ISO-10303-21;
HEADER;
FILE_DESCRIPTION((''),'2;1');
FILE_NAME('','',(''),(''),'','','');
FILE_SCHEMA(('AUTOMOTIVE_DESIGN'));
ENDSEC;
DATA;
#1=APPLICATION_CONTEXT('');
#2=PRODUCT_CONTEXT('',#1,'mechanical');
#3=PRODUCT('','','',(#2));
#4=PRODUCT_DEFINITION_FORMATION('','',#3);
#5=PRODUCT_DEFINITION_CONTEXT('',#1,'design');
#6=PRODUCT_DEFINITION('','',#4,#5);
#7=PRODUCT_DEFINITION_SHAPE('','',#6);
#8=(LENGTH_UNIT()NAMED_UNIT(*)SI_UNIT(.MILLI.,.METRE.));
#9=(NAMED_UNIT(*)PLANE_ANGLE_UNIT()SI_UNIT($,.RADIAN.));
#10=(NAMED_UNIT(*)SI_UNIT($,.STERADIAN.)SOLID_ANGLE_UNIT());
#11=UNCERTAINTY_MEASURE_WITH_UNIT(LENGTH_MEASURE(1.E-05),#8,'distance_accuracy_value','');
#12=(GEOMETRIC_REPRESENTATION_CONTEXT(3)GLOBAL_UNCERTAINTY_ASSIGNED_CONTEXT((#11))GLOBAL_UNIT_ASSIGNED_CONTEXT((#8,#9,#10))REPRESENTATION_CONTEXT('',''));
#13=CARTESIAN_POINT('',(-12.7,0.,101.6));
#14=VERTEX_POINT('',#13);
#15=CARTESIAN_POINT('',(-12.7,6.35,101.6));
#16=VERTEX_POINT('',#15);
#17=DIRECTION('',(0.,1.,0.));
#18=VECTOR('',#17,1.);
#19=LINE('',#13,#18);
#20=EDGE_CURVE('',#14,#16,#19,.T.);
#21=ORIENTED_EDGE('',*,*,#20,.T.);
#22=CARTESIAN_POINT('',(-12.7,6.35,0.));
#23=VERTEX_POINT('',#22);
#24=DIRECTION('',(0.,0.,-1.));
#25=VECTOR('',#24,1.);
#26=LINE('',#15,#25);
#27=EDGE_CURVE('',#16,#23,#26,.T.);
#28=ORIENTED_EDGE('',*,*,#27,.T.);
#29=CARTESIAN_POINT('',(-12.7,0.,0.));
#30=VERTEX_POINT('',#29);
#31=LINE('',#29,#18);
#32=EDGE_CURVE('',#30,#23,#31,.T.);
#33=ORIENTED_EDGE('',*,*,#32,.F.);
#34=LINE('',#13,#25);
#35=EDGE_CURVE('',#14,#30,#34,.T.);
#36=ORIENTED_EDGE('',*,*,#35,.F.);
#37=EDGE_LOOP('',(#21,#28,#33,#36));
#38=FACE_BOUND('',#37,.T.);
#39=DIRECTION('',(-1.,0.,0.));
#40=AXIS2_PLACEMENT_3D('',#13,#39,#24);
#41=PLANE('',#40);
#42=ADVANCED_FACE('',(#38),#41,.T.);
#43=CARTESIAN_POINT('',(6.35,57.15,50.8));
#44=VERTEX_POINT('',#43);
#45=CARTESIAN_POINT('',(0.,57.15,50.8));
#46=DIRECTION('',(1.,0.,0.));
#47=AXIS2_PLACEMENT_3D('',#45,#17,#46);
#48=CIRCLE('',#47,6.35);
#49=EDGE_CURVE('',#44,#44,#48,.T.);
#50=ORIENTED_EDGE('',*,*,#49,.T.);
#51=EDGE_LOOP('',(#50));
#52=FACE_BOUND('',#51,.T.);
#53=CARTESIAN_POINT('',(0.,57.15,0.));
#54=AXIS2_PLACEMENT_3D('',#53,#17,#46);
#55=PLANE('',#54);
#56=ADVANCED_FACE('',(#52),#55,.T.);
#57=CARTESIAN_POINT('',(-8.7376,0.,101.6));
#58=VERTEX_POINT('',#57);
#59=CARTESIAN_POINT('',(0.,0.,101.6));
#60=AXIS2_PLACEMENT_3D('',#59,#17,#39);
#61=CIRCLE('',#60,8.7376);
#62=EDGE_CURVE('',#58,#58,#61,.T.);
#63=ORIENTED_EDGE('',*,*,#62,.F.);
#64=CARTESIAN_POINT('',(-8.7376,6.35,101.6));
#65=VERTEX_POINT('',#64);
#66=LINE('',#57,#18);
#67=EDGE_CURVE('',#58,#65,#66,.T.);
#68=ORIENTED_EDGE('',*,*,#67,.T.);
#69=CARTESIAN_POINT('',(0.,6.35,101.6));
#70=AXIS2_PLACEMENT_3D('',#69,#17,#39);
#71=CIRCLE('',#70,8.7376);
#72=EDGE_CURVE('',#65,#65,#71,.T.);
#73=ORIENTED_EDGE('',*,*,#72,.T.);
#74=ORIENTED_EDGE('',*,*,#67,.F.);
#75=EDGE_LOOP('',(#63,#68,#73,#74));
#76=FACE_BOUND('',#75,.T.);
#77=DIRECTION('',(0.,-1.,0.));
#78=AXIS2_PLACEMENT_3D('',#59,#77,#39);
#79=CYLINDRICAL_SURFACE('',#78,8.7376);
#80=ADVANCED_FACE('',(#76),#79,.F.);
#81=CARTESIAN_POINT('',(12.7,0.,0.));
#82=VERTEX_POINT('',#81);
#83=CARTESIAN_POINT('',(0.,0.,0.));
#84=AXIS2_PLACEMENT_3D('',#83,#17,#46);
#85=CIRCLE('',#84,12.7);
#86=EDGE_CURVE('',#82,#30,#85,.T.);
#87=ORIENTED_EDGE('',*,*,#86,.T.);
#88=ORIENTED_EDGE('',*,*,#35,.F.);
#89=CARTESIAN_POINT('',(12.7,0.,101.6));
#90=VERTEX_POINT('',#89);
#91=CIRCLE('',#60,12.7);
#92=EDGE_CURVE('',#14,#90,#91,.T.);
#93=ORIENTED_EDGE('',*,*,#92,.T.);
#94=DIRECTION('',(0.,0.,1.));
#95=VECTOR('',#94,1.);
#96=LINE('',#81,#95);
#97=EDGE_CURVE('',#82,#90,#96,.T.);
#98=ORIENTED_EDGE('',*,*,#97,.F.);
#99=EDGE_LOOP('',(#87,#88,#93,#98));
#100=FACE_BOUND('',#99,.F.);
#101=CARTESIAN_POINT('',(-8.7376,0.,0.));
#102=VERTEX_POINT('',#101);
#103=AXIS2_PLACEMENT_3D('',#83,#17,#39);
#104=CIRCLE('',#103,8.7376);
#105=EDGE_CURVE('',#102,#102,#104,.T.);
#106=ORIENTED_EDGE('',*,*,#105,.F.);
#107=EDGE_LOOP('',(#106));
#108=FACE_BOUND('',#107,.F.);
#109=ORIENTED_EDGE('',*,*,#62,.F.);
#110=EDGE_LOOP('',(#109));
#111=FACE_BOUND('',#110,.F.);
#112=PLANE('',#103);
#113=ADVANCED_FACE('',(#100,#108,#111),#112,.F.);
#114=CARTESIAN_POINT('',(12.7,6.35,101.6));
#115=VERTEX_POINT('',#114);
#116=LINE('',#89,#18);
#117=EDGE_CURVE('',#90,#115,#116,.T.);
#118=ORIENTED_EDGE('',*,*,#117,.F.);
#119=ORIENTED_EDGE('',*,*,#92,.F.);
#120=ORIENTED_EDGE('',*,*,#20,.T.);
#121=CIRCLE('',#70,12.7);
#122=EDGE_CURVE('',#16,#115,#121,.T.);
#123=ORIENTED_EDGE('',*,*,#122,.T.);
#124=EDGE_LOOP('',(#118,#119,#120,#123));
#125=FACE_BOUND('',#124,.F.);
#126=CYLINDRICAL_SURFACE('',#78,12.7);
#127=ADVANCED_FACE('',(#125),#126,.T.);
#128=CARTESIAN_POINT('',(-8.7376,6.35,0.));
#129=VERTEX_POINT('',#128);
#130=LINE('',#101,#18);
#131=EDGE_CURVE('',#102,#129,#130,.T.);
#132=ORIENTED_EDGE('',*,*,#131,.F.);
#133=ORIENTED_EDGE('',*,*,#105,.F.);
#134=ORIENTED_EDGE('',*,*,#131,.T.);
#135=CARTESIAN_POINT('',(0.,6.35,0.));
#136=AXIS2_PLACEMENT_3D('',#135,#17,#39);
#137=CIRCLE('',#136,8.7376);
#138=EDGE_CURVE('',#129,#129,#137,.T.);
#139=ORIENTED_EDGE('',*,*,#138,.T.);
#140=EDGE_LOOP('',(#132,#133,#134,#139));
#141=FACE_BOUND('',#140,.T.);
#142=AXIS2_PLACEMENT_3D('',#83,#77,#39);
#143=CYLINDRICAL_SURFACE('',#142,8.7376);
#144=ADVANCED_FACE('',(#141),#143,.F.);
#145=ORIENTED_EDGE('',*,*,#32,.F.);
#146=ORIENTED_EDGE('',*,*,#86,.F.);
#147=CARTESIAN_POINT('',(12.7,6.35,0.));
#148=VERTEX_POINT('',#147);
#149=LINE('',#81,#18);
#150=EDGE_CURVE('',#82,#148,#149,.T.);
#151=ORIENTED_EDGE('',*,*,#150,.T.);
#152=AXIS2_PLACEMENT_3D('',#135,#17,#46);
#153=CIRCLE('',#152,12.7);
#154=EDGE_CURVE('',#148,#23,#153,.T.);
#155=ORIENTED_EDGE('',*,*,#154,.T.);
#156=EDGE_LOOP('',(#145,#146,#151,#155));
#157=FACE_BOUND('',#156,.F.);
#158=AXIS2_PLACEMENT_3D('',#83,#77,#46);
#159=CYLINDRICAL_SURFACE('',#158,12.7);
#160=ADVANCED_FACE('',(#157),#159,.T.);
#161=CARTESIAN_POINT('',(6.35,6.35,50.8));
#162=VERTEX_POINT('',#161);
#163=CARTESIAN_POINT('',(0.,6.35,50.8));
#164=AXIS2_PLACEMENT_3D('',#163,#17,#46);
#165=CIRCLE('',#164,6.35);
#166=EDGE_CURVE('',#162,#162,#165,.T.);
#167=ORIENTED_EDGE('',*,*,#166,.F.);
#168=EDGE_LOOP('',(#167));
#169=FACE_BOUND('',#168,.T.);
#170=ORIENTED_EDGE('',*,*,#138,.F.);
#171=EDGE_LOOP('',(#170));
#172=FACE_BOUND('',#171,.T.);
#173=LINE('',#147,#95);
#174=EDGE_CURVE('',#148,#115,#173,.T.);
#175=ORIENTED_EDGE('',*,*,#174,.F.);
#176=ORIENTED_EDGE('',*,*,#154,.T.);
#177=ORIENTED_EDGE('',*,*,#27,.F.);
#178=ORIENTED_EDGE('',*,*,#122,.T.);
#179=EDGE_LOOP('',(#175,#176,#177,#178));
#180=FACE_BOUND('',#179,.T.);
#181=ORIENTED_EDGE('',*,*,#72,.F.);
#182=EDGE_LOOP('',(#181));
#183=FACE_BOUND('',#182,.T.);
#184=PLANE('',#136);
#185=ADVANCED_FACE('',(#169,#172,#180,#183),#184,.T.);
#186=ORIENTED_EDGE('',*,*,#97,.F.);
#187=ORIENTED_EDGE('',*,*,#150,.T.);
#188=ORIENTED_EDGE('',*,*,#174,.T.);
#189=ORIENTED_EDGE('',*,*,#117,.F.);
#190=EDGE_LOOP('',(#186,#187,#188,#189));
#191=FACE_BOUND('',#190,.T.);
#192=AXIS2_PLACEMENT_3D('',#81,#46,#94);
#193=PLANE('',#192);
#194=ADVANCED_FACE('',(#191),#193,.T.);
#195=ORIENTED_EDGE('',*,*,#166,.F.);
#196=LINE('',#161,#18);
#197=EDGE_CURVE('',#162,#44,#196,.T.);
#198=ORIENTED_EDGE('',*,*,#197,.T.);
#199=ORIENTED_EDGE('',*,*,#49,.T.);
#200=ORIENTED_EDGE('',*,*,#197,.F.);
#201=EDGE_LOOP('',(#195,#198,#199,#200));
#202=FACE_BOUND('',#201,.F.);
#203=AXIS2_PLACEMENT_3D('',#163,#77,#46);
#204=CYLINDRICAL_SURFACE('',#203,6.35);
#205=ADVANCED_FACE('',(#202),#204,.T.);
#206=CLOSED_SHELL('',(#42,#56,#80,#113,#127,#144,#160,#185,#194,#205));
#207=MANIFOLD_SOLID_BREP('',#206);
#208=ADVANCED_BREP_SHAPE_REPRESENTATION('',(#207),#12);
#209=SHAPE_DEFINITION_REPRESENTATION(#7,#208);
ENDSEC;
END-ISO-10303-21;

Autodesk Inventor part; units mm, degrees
ref_plane "YZ Plane" through (0, 0, 0) normal (1, 0, 0) x (0, 1, 0)
ref_plane "XZ Plane" through (0, 0, 0) normal (0, 1, 0) x (-1, 0, 0)
ref_plane "XY Plane" through (0, 0, 0) normal (0, 0, 1) x (1, 0, 0)
sketch "Sketch10" plane through (0, 0, 0) normal (0, 1, 0) x (-1, 0, 0)
  circle A0 centre (0, 0) radius 8.7376
  arc A1 (-12.7, 0) -> (12.7, 0) centre (0, 0) ccw
  line L0 (0, 0) -> (0, 101.6) construction
  circle A2 centre (0, 101.6) radius 8.7376
  arc A3 (12.7, 101.6) -> (-12.7, 101.6) centre (0, 101.6) ccw
  line L1 (12.7, 101.6) -> (12.7, 0)
  line L2 (-12.7, 0) -> (-12.7, 101.6)
  dimension "d70" = 17.4752
  dimension "d71" = 25.4
  dimension "d72" = 101.6
  dimension "d74" = 17.4752
  dimension "d75" = 25.4
  dimension "d76" = 101.6
  dimension "d78" = 12.7
extrude "Extrusion13" add sketch "Sketch10" along normal blind 6.35
sketch "Sketch11" plane through (0, 6.35, 0) normal (0, 1, 0) x (1, 0, 0)
  circle A0 centre (0, -50.8) radius 6.35
  line L0 (-12.7, 0) -> (-12.7, -101.6) projected
  point P0 (0, 0)
  dimension "d81" = 12.7
  dimension "d82" = 50.8
  dimension "d83" = 12.7
extrude "Extrusion14" add sketch "Sketch11" along normal blind 50.8
properties part number "Torqueing_Bar"
